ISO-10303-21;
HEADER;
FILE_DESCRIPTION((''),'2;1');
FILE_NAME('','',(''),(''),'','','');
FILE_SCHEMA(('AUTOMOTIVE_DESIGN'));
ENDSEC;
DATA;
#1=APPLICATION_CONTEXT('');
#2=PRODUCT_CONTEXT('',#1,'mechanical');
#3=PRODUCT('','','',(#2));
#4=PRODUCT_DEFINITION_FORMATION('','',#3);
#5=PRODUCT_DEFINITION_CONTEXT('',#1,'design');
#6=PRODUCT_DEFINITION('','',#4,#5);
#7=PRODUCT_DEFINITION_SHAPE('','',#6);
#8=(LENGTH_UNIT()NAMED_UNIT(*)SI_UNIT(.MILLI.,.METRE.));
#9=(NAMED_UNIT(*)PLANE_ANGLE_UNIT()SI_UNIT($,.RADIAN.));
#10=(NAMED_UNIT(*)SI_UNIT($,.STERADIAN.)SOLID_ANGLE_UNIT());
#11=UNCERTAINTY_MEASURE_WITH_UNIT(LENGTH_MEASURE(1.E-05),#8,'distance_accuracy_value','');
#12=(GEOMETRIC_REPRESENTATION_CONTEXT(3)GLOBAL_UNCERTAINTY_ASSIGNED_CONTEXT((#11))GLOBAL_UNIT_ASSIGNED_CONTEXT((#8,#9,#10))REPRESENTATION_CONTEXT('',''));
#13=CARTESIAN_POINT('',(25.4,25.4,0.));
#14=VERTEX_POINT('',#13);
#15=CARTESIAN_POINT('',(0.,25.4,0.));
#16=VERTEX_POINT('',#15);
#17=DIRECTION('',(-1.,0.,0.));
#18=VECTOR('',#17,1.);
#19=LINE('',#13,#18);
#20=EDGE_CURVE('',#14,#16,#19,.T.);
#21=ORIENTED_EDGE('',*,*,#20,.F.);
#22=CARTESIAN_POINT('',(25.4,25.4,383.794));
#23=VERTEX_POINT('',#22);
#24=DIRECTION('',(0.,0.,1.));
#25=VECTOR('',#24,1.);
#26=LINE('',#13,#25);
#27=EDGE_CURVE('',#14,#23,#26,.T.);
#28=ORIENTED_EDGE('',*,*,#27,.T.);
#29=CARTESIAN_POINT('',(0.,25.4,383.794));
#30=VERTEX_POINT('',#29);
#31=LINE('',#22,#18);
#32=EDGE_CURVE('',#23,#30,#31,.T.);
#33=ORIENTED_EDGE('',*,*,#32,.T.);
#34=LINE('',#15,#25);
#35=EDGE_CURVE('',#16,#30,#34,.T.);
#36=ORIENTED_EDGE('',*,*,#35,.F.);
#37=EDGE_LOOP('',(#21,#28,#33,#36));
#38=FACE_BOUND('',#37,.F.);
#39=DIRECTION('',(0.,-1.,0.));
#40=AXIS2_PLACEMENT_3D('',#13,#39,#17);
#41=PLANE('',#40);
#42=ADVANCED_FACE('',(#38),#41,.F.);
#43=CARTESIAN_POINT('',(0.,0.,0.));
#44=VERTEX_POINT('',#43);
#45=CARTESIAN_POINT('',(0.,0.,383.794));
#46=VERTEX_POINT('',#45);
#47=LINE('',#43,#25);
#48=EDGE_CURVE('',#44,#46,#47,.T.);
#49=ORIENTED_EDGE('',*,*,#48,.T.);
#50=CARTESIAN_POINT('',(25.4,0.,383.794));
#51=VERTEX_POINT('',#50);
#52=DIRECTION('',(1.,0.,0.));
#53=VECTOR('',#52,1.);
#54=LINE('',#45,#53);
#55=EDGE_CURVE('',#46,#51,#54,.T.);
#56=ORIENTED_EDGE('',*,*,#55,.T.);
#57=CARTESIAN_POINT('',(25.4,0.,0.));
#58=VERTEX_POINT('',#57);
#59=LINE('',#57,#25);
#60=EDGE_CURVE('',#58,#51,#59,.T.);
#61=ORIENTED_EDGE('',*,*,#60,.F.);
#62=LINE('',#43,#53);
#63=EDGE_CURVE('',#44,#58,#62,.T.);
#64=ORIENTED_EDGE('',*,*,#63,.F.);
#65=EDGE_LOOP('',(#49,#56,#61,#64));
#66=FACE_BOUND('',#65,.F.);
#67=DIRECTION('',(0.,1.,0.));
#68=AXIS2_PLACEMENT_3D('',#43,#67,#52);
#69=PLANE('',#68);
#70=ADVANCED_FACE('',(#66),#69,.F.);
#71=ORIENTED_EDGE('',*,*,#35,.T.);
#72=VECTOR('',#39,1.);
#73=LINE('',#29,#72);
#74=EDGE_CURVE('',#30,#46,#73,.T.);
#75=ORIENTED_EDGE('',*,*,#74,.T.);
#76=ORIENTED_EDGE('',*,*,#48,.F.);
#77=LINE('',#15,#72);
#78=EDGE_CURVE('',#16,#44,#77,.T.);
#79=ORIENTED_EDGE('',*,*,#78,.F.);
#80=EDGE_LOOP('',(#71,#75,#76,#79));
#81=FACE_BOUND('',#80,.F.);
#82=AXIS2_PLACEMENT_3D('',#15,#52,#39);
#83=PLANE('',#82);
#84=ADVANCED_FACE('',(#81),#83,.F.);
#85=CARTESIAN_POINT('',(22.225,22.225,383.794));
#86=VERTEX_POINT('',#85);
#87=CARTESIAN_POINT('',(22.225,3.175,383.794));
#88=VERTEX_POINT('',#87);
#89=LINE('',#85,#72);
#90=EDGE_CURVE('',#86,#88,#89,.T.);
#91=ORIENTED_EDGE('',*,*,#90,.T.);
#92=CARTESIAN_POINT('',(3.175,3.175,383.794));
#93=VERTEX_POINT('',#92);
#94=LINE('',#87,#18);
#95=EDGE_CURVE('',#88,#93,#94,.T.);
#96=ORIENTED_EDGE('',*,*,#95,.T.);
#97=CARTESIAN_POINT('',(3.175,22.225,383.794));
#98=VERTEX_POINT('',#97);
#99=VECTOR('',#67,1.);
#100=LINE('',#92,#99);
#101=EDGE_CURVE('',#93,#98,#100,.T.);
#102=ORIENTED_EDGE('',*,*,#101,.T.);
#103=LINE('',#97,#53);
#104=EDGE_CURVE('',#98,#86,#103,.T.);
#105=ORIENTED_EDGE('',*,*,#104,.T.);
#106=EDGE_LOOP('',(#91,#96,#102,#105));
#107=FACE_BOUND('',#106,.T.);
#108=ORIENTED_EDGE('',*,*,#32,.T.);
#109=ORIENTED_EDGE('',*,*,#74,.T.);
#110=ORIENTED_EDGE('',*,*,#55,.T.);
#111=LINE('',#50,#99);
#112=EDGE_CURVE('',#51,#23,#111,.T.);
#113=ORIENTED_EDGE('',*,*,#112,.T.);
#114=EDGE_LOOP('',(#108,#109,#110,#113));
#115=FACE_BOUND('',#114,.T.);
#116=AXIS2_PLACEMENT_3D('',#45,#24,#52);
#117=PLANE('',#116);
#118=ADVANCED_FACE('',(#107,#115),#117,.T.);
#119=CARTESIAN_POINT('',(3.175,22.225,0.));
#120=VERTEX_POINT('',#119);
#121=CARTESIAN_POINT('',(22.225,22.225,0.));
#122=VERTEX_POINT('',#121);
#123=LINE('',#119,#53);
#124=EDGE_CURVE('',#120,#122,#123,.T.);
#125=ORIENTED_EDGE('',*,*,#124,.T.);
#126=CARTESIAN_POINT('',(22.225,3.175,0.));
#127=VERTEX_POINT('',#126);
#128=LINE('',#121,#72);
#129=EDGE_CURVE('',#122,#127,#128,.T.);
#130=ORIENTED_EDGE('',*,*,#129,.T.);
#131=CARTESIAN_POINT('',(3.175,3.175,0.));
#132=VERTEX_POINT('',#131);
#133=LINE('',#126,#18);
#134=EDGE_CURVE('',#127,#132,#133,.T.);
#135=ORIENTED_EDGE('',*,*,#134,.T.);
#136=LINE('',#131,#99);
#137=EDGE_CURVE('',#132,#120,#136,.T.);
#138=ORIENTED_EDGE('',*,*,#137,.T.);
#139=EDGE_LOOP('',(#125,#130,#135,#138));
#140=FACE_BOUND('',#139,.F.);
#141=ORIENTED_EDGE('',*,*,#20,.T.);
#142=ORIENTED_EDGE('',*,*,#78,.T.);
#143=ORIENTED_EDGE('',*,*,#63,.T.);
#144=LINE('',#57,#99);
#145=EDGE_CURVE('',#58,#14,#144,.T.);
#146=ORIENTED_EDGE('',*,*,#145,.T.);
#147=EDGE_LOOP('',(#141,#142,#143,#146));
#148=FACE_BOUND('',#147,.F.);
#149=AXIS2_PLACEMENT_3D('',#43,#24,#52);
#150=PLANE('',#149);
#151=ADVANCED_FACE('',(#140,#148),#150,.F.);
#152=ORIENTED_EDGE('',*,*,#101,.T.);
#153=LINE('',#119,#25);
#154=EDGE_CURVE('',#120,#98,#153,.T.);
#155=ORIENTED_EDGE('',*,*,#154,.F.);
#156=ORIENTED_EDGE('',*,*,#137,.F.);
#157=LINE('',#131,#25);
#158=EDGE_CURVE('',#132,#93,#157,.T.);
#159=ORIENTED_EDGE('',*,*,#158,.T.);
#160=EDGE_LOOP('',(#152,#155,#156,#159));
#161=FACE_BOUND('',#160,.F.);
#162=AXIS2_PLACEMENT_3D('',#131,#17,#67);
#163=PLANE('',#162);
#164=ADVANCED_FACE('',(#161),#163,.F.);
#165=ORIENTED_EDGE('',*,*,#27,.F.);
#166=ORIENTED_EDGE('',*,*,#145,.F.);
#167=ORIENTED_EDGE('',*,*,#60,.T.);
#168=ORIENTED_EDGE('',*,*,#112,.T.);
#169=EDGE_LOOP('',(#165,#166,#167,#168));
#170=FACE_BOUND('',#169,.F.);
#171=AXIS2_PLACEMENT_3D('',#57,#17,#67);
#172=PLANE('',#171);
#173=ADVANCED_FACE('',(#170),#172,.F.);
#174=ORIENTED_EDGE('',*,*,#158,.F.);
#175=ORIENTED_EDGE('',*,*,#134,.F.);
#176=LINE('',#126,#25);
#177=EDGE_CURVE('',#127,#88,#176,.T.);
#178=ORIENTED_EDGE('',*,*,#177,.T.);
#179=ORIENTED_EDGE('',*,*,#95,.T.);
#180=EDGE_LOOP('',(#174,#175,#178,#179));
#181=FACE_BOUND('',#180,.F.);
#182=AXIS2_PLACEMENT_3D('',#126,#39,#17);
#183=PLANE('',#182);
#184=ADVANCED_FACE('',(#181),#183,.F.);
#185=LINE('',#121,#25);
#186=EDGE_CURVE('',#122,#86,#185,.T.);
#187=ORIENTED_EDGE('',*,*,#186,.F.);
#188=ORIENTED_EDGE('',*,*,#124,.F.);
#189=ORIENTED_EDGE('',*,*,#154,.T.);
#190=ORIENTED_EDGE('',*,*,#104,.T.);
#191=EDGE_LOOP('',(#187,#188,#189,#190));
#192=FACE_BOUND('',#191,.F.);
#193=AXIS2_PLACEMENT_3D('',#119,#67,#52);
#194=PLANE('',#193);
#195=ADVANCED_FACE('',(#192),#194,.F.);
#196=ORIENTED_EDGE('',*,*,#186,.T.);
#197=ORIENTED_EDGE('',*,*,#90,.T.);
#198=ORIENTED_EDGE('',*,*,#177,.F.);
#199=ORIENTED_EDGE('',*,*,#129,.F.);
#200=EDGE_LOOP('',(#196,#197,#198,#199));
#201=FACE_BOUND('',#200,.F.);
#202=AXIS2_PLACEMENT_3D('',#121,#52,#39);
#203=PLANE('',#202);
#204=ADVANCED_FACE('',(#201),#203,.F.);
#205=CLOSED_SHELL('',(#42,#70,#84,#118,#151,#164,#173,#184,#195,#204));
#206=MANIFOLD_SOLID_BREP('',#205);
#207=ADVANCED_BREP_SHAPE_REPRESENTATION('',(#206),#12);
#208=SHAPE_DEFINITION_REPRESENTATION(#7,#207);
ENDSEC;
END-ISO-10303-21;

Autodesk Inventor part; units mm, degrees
ref_plane "YZ Plane" through (0, 0, 0) normal (1, 0, 0) x (0, 1, 0)
ref_plane "XZ Plane" through (0, 0, 0) normal (0, 1, 0) x (-1, 0, 0)
ref_plane "XY Plane" through (0, 0, 0) normal (0, 0, 1) x (1, 0, 0)
sketch "Sketch1" plane through (0, 0, 0) normal (0, 0, 1) x (1, 0, 0)
  line L0 (0, 0) -> (25.4, 0)
  line L1 (25.4, 0) -> (25.4, 25.4)
  line L2 (25.4, 25.4) -> (0, 25.4)
  line L3 (0, 25.4) -> (0, 0)
  line L4 (3.175, 22.225) -> (22.225, 22.225)
  line L5 (22.225, 22.225) -> (22.225, 3.175)
  line L6 (22.225, 3.175) -> (3.175, 3.175)
  line L7 (3.175, 3.175) -> (3.175, 22.225)
  dimension "d0" = 25.4
  dimension "d1" = 25.4
  dimension "d2" = 3.175
extrude "Extrusion1" add sketch "Sketch1" along normal blind 383.794
properties part number "1x1 15.11in"
